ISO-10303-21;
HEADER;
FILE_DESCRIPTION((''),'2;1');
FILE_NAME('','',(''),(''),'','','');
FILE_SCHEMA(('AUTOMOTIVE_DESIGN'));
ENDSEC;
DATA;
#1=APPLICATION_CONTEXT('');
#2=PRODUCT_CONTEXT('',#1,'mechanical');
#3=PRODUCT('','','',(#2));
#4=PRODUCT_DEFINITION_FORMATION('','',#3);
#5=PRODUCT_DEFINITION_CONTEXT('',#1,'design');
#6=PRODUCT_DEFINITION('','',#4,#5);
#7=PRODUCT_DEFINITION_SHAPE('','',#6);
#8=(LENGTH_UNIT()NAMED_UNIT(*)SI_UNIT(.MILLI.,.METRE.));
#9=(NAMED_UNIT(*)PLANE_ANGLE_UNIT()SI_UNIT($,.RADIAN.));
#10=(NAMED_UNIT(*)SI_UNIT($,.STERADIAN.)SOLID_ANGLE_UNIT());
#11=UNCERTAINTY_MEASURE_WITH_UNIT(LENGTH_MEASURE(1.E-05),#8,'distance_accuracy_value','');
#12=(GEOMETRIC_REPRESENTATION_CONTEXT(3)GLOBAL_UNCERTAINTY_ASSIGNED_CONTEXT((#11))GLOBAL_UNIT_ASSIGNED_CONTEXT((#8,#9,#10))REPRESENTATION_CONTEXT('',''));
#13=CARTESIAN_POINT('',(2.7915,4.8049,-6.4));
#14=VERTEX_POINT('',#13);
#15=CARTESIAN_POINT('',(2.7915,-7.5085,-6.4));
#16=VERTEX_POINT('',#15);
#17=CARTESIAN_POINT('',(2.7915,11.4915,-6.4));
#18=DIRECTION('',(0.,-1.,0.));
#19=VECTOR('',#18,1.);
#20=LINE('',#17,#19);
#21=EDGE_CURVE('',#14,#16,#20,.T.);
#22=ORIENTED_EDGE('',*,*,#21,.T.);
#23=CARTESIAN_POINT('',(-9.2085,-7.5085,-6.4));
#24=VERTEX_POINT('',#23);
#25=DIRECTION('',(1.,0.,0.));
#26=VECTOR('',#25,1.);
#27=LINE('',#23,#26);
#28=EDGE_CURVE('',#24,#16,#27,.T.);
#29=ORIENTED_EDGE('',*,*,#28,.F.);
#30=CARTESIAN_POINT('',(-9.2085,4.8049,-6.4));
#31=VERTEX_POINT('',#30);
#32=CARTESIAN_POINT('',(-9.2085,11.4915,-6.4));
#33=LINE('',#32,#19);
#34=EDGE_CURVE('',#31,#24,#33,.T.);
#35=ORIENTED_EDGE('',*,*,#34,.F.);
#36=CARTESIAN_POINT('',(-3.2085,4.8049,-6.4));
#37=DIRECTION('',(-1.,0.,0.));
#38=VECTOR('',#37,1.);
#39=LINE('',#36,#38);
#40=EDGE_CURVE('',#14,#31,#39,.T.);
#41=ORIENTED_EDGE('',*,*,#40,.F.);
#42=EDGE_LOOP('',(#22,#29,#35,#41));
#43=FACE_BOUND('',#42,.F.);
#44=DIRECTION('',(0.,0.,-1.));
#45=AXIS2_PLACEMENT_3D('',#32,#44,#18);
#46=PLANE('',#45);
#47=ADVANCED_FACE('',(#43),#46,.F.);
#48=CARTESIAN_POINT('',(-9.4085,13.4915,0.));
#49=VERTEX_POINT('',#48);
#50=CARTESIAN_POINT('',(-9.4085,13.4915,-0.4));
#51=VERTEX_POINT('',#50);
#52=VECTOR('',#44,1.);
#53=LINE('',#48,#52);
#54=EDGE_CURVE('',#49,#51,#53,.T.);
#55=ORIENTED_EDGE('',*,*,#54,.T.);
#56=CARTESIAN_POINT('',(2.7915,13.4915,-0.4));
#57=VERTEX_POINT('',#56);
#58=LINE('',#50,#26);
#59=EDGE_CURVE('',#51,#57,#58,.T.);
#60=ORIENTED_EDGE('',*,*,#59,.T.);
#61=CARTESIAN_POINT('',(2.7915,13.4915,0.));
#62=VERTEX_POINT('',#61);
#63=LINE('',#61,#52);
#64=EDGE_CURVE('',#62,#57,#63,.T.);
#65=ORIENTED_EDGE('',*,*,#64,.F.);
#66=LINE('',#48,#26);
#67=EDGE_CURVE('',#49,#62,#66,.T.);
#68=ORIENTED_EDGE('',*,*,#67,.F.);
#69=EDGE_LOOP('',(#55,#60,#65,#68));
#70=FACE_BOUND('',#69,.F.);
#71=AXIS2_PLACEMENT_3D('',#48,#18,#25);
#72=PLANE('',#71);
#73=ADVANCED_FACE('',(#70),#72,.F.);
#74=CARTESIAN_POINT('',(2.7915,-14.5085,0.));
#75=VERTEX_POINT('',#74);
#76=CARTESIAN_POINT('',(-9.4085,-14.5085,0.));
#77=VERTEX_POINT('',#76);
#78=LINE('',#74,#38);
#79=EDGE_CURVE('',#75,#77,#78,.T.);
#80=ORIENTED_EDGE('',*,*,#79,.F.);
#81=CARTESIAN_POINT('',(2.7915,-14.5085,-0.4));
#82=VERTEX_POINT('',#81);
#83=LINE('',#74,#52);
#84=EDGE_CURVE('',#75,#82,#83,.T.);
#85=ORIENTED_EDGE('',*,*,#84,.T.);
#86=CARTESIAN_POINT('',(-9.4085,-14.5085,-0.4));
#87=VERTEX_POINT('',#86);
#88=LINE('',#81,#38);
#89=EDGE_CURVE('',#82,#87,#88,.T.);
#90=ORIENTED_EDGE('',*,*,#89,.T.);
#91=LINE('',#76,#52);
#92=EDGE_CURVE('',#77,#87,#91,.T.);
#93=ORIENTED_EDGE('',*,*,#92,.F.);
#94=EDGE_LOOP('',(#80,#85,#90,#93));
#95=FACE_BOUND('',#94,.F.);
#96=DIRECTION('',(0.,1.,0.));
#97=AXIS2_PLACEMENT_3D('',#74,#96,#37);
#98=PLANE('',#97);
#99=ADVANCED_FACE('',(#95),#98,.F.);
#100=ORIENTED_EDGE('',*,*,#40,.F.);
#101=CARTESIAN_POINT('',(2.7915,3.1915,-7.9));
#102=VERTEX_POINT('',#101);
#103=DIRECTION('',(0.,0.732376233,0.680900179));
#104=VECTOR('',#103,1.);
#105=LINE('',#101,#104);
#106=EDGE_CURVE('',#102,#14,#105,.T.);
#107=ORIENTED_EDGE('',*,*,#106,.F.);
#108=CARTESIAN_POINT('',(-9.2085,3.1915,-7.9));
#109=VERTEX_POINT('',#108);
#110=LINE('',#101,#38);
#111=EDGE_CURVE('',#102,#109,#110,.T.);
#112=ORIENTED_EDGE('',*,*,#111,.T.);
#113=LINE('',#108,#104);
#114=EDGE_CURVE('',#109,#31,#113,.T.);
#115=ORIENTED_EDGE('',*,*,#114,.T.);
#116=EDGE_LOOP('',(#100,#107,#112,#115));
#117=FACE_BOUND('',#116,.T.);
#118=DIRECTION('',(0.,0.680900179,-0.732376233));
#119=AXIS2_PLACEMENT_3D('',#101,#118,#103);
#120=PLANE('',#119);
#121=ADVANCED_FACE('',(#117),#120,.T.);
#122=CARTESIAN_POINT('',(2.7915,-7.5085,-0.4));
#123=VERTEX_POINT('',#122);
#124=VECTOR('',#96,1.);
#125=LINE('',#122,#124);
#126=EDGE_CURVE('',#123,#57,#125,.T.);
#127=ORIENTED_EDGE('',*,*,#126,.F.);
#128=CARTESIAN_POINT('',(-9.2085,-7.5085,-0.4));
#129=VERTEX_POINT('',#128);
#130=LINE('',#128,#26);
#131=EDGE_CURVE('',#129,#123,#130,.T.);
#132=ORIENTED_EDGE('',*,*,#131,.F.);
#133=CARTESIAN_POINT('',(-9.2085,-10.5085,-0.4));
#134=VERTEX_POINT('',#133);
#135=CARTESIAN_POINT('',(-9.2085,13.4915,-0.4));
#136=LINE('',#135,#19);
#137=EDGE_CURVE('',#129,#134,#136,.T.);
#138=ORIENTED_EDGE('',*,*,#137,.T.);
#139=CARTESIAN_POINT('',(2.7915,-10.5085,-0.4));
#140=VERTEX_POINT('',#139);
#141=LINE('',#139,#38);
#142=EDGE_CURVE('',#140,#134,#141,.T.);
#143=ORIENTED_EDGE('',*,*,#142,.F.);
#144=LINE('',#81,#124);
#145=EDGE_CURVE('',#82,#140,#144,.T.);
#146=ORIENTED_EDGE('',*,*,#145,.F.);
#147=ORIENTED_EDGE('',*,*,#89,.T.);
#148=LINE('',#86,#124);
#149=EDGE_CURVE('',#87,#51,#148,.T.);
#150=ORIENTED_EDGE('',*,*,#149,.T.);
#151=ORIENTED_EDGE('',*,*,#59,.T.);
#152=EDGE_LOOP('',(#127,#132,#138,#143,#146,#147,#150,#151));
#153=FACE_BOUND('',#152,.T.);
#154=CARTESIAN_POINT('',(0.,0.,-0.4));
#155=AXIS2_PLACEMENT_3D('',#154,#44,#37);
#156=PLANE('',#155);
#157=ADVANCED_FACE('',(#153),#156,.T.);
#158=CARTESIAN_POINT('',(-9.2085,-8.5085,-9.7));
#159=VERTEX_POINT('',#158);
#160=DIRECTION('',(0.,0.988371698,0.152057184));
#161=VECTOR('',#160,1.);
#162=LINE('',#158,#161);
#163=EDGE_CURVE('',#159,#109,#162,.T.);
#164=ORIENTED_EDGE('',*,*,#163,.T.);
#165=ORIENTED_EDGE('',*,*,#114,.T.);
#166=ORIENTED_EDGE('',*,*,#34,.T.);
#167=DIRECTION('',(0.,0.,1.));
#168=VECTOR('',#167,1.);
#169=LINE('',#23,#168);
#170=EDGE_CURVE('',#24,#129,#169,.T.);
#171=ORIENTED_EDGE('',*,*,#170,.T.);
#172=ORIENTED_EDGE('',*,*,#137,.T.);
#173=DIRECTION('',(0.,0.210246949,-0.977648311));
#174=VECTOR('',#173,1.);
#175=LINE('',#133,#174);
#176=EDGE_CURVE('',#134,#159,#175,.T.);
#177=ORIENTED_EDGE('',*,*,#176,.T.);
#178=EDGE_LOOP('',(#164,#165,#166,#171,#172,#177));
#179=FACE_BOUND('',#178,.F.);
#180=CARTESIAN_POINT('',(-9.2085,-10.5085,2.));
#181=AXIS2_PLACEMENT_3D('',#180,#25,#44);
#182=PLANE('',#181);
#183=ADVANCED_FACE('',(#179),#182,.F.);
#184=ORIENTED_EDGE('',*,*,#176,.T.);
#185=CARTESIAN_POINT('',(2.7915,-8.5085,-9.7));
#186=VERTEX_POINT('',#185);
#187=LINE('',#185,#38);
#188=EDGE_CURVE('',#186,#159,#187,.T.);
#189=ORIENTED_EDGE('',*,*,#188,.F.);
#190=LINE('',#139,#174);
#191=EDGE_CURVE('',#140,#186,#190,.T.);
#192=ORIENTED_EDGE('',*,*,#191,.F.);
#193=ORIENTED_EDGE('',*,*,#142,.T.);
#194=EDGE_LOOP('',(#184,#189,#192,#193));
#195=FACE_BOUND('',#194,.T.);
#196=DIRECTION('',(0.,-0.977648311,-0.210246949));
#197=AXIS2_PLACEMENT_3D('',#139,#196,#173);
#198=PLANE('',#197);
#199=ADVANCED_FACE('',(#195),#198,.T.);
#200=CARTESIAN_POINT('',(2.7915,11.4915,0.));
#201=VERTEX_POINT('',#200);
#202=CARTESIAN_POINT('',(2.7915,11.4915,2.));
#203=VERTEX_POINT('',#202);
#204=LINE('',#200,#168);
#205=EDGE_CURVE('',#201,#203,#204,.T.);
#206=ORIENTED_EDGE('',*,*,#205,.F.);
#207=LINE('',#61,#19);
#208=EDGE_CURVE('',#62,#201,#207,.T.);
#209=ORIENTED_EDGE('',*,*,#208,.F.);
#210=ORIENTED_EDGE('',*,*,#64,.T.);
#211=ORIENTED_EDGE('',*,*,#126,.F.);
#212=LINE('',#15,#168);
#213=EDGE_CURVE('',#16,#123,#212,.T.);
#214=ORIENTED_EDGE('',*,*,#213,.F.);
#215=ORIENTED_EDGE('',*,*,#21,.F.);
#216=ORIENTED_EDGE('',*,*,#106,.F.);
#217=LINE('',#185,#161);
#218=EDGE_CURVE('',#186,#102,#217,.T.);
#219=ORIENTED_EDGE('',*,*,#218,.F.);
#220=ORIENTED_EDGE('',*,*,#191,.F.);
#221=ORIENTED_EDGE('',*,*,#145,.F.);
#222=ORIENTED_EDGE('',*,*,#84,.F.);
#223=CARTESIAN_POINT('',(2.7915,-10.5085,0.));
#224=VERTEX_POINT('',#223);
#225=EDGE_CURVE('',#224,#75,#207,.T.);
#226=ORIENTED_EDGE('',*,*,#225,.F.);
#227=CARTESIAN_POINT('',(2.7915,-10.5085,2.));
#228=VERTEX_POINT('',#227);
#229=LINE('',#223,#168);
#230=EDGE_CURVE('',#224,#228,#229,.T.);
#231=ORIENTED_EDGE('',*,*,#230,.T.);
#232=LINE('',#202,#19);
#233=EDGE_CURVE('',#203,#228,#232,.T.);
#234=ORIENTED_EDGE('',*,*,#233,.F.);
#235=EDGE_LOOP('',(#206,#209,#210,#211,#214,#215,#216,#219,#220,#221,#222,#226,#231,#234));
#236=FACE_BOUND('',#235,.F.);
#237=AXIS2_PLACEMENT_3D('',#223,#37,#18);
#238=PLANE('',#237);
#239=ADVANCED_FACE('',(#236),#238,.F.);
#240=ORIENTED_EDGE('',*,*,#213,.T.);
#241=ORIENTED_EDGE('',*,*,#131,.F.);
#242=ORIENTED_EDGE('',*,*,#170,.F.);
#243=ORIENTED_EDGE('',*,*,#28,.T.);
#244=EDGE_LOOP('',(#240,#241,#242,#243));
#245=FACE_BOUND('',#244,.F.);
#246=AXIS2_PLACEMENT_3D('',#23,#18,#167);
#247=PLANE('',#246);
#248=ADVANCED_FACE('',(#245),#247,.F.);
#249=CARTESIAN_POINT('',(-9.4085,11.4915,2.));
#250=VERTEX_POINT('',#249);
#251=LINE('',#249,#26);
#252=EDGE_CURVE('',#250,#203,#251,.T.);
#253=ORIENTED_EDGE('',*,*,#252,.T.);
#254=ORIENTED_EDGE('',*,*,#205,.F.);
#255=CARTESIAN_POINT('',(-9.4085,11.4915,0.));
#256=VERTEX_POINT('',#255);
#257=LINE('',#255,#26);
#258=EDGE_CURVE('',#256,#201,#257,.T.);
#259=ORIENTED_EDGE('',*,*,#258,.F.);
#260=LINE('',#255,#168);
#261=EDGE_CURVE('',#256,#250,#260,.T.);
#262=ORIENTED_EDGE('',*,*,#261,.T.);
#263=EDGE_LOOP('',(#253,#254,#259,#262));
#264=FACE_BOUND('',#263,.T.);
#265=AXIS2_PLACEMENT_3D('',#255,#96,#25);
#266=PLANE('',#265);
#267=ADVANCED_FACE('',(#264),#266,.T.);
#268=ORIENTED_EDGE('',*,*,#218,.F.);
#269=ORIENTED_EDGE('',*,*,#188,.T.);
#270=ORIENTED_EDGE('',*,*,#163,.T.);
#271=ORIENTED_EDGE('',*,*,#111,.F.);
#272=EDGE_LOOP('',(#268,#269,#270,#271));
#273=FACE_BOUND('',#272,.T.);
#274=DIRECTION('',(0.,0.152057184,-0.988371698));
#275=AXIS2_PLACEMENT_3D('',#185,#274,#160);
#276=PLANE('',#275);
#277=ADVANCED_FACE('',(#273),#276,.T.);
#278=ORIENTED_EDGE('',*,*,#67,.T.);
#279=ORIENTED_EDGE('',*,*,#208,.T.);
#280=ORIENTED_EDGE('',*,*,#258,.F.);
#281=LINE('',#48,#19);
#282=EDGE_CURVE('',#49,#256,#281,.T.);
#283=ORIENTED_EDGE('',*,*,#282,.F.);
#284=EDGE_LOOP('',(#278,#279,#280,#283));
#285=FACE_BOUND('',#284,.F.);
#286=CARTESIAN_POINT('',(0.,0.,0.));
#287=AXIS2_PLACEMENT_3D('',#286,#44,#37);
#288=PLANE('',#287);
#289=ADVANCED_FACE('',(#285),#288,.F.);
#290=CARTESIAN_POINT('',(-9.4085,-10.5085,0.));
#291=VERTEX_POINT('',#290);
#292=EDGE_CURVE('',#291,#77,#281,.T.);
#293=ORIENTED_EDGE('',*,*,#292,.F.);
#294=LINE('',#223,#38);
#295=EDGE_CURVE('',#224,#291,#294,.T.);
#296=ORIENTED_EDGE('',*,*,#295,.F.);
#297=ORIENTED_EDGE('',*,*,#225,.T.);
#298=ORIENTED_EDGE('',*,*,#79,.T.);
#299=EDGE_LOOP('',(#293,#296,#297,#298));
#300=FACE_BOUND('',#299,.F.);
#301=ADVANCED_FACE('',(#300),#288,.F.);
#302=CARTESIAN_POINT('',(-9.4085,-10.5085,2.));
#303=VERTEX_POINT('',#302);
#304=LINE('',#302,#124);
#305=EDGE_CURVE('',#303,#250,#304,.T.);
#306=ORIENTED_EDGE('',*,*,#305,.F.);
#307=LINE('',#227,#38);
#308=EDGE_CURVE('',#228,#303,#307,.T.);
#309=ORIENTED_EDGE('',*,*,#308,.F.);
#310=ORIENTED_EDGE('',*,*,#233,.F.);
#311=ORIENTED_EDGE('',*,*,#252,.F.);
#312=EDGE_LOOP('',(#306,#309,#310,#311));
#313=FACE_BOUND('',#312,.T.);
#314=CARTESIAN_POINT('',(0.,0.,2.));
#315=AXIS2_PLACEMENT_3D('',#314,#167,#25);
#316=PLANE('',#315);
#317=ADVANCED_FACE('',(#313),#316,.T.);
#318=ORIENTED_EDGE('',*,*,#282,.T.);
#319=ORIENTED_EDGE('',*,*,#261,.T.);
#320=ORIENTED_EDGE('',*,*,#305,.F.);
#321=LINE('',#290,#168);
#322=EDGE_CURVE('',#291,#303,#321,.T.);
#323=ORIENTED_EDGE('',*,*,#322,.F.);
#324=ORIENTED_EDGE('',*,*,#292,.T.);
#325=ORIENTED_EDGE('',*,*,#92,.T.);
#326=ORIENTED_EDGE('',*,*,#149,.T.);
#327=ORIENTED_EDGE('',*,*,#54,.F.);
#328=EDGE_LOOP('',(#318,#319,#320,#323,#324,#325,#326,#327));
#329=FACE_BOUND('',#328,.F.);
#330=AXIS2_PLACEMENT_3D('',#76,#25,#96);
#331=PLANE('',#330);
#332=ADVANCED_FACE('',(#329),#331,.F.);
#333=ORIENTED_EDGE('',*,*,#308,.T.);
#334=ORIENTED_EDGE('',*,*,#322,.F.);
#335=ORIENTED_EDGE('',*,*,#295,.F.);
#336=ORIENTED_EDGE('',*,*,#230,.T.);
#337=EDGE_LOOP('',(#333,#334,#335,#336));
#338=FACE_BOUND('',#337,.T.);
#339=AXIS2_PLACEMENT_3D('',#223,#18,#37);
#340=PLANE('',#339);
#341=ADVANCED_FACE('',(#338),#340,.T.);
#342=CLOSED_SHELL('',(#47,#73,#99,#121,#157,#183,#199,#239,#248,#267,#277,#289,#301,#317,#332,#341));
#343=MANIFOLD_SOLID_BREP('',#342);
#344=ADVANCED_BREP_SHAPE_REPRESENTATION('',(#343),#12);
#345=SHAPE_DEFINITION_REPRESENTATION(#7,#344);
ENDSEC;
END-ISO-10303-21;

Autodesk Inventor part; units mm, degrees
ref_plane "YZ Plane" through (0, 0, 0) normal (1, 0, 0) x (0, 1, 0)
ref_plane "XZ Plane" through (0, 0, 0) normal (0, 1, 0) x (-1, 0, 0)
ref_plane "XY Plane" through (0, 0, 0) normal (0, 0, 1) x (1, 0, 0)
sketch "Sketch1" plane through (0, 0, 0) normal (0, 0, 1) x (1, 0, 0)
  line L0 (-9.4085, 11.4915) -> (2.7915, 11.4915)
  line L1 (2.7915, 11.4915) -> (2.7915, -10.5085)
  line L2 (2.7915, -10.5085) -> (-9.4085, -10.5085)
  line L3 (-9.4085, -10.5085) -> (-9.4085, 11.4915)
  point P0 (0, 0)
  dimension "d0" = 22
  dimension "d1" = 12.2
extrude "Extrusion1" add sketch "Sketch1" along normal blind 2
sketch "Sketch2" plane through (0, 0, 0) normal (0, 0, -1) x (-1, 0, 0)
  line L0 (-2.7915, -14.5085) -> (9.4085, -14.5085)
  line L1 (9.4085, -14.5085) -> (9.4085, 13.4915)
  line L2 (9.4085, 13.4915) -> (-2.7915, 13.4915)
  line L3 (-2.7915, 13.4915) -> (-2.7915, -14.5085)
  line L4 (9.4085, -10.5085) -> (9.4085, 11.4915) projected
  line L5 (-2.7915, 11.4915) -> (-2.7915, -10.5085) projected
  line L6 (9.4085, 11.4915) -> (-2.7915, 11.4915) projected
  line L7 (-2.7915, -10.5085) -> (9.4085, -10.5085) projected
  point P0 (0, 0)
  dimension "d4" = 2
  dimension "d5" = 4
extrude "Extrusion2" add sketch "Sketch2" along normal blind 0.4
sketch "Sketch3" plane through (2.7915, -10.5085, 2) normal (1, 0, 0) x (0, 0, -1)
  line L0 (0, 0) -> (0, 22) projected
  line L1 (2, 22) -> (0, 22) projected
  line L2 (2.4, 24) -> (2.4, -4) projected
  line L3 (2.4, 0) -> (11.7, 2)
  line L4 (11.7, 2) -> (9.9, 13.7)
  line L5 (9.9, 13.7) -> (2.4, 21.767)
  line L6 (2.4, 0) -> (2.4, 21.767)
  point P0 (2, 10.5085)
  dimension "d8" = 9.9
  dimension "d9" = 11.7
  dimension "d10" = 8.3
  dimension "d11" = 20
extrude "Extrusion3" add sketch "Sketch3" against normal blind 12
sketch "Sketch4" plane through (-9.2085, -10.5085, 2) normal (-1, 0, 0) x (0, 0, 1)
  line L0 (-2.4, -4) -> (-2.4, 24) projected
  line L1 (-2.4, 22) -> (-8.4, 22)
  line L2 (-8.4, 22) -> (-8.4, 3)
  line L3 (-8.4, 3) -> (-2.4, 3)
  line L4 (-2.4, 3) -> (-2.4, 22)
  line L5 (-2, 22) -> (0, 22) projected
  point P0 (-2, 10.5085)
  dimension "d14" = 6
  dimension "d15" = 19
extrude "Extrusion4" cut sketch "Sketch4" against normal blind 12
properties part number "button"
